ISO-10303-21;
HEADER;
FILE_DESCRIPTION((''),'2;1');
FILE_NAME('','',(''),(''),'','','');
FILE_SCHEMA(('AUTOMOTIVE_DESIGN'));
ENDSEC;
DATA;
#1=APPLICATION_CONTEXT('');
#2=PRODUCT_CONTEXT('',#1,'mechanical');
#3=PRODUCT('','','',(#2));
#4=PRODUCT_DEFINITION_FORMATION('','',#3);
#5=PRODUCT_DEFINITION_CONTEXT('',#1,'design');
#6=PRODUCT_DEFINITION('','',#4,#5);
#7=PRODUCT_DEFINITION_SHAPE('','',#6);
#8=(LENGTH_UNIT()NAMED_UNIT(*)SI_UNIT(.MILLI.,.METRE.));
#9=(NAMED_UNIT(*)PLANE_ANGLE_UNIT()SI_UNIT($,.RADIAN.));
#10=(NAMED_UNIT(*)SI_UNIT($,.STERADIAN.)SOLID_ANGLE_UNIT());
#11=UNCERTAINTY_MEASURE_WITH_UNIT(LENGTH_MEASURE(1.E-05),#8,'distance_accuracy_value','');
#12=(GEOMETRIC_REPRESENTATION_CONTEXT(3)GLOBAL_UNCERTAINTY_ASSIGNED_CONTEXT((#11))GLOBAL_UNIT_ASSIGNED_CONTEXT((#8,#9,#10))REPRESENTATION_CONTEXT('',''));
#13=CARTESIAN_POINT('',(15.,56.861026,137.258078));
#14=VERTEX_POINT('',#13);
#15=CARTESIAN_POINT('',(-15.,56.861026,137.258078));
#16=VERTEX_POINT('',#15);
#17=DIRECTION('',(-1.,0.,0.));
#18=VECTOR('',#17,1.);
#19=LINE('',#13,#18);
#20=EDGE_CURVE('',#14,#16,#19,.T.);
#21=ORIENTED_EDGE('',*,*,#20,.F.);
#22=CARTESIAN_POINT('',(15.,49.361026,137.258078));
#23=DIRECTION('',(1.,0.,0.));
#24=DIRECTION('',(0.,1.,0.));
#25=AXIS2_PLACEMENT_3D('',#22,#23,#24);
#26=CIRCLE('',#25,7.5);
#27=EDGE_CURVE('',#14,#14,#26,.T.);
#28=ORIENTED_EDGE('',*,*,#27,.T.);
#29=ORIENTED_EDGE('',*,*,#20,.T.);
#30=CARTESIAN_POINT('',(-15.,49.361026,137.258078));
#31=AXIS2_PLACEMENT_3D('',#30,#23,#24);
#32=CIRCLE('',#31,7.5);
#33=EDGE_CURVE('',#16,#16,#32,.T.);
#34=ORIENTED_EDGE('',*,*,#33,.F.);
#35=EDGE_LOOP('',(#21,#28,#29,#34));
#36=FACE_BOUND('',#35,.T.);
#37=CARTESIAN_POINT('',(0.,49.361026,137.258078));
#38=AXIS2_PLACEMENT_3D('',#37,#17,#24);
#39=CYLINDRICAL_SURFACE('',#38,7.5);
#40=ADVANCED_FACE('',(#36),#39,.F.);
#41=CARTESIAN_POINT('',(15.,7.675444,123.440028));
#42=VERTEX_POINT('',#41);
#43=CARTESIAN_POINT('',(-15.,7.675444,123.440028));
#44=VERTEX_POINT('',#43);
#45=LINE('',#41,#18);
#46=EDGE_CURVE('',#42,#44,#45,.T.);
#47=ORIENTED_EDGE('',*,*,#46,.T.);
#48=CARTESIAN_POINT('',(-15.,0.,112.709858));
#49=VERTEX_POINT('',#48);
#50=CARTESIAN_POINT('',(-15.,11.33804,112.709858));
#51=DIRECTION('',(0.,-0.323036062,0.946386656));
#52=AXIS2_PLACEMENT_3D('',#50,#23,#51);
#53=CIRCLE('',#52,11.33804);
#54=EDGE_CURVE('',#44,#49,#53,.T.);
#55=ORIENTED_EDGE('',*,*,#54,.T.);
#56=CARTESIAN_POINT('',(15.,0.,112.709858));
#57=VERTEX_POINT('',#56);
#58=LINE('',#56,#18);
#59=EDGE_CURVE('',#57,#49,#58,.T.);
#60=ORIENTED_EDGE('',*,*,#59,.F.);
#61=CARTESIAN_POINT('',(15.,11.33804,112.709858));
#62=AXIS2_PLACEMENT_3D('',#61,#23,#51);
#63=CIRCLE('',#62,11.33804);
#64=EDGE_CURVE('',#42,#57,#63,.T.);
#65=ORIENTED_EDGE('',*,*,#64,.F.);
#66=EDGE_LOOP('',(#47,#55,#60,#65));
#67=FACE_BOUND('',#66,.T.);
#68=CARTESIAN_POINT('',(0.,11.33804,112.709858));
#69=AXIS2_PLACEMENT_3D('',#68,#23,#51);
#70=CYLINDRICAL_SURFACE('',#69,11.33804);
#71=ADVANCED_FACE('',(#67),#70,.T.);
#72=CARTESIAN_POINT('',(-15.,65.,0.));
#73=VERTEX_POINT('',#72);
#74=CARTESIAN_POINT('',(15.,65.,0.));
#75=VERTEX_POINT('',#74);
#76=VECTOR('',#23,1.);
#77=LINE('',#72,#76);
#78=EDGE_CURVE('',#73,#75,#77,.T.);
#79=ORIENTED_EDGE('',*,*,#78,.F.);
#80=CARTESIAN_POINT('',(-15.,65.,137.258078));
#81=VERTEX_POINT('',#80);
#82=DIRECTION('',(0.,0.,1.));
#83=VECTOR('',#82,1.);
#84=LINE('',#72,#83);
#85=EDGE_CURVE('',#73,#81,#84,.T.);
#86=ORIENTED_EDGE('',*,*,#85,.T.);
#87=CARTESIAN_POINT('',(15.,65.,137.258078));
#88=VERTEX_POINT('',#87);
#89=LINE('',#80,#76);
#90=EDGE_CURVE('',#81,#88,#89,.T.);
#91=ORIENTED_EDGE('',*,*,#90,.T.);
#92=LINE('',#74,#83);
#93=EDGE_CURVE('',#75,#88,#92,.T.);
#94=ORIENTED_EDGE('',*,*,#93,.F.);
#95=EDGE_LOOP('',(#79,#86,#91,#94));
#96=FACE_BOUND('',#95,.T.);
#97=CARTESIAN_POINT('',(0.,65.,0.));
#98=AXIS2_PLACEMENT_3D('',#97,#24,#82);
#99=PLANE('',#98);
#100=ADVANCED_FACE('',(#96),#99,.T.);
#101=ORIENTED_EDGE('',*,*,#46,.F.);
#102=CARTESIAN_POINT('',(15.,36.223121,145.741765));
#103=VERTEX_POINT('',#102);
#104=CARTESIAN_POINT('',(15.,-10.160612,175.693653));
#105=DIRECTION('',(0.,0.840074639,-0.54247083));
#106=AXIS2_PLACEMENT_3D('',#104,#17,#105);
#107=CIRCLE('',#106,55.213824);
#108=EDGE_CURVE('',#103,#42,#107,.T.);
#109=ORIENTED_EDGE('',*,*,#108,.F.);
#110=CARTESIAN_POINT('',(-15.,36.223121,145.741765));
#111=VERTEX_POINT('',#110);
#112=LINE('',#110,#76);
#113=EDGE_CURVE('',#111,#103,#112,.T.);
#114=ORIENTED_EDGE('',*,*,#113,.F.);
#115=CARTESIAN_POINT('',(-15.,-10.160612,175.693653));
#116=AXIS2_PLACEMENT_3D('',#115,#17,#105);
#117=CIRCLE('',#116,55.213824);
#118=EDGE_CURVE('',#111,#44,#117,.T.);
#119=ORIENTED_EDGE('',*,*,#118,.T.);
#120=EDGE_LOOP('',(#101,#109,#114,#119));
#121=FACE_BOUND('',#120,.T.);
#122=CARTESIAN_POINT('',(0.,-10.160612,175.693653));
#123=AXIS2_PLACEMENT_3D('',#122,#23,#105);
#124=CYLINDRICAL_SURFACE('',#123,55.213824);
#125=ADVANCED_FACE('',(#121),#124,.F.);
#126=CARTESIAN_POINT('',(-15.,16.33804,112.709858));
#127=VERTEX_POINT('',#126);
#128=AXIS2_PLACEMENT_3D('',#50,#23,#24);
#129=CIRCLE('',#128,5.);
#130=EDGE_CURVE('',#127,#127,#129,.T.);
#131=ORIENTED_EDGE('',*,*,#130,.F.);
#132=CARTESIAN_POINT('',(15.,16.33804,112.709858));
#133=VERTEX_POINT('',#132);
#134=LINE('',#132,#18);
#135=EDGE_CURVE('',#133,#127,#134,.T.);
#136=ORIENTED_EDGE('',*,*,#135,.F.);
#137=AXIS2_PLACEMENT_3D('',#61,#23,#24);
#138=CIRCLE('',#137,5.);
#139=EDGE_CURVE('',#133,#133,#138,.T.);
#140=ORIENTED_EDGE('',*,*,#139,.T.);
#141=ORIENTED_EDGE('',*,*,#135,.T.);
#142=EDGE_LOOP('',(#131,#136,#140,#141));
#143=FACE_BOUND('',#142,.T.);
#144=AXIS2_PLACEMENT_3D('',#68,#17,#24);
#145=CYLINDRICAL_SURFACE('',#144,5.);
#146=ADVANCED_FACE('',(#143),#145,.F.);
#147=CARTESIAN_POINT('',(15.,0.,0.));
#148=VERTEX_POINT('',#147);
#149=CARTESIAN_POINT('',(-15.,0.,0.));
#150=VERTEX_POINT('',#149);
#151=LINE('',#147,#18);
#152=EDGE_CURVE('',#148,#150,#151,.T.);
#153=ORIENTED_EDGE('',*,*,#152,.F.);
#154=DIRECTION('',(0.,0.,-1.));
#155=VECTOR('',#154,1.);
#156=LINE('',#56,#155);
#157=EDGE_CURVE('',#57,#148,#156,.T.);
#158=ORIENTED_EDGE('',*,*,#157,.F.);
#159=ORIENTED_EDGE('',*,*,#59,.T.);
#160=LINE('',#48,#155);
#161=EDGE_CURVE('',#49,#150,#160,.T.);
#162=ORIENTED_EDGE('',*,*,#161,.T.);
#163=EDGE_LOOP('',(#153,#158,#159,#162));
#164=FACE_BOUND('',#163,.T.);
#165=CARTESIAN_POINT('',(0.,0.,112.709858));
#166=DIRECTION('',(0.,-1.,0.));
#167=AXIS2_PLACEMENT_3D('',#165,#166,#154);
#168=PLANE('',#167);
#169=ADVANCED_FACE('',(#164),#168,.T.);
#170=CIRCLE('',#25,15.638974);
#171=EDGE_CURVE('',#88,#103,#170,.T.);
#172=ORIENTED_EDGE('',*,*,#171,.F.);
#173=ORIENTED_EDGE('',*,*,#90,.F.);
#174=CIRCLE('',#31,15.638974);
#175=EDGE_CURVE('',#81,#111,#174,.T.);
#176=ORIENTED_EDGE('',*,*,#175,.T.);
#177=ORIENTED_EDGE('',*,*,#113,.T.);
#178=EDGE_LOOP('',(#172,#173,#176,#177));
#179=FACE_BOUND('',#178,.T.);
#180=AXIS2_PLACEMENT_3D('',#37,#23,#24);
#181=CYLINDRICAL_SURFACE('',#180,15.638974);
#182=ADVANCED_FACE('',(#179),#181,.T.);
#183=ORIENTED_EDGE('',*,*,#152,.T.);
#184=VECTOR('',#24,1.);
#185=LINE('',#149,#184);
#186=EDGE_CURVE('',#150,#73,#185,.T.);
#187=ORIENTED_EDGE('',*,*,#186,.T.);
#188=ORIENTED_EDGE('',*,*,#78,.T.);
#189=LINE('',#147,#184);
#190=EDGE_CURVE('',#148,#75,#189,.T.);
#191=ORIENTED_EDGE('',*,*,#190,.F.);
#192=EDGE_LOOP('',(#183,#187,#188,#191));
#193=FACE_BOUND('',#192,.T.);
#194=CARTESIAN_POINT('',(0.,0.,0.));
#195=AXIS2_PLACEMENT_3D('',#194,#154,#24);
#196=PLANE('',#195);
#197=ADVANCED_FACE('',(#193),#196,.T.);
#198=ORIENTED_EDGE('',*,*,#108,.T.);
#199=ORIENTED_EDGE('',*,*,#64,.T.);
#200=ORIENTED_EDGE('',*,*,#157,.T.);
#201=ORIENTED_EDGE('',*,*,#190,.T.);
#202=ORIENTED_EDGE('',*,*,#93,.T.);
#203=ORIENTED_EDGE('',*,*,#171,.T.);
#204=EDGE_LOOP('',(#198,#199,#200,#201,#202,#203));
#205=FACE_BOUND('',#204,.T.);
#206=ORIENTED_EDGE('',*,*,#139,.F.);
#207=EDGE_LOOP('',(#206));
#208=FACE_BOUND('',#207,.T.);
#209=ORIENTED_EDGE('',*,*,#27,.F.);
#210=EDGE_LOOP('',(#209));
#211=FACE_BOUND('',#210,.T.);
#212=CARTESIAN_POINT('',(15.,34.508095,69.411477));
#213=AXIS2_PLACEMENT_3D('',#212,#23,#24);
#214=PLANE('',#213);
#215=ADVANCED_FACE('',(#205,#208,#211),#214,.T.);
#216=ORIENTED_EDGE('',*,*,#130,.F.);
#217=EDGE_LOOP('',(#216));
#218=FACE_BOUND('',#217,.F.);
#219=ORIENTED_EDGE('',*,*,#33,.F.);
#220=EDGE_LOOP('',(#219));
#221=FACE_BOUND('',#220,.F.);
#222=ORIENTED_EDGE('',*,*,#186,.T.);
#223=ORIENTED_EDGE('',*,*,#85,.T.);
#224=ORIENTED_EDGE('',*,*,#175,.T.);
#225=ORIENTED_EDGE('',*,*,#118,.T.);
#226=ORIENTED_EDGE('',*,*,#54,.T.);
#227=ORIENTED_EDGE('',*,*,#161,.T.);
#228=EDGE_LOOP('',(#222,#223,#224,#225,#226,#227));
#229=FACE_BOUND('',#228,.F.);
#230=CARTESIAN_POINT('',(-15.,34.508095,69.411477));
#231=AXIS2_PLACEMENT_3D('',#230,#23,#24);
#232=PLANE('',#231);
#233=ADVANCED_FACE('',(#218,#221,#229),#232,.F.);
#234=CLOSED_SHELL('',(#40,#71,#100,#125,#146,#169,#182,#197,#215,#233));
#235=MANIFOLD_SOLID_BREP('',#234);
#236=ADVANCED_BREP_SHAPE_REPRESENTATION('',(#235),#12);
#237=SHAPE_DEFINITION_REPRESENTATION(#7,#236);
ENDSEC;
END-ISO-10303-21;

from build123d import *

# Parameters (mm, degrees)
F0_R     = 5
F0_R_2   = 7.5
F1_DEPTH = 15


with BuildPart() as f1:
    # F0 (on Right) → F1 (new body, symmetric)
    with BuildSketch(Plane.YZ):
        with BuildLine():
            Line((0, 100), (0, 0))
            Line((0, 0), (65, 0))
            Line((65, 0), (65, 100))
            Line((65, 100), (65, 137.258077714))
            ThreePointArc((65, 137.258077714), (53.7833642166, 152.2587585239), (36.2231211963, 145.7417647287))
            ThreePointArc((36.2231211963, 145.7417647287), (23.8303752514, 132.1829751818), (7.6754443648, 123.4400275047))
            ThreePointArc((7.6754443648, 123.4400275047), (2.1163859444, 119.3062389941), (0, 112.7098575234))
            Line((0, 112.7098575234), (0, 100))
        make_face()
        with Locations((11.3380402327, 112.7098575234)):
            Circle(F0_R, mode=Mode.SUBTRACT)
        with Locations((49.3610263437, 137.258077714)):
            Circle(F0_R_2, mode=Mode.SUBTRACT)
    extrude(amount=F1_DEPTH, both=True)


solid = f1.part
